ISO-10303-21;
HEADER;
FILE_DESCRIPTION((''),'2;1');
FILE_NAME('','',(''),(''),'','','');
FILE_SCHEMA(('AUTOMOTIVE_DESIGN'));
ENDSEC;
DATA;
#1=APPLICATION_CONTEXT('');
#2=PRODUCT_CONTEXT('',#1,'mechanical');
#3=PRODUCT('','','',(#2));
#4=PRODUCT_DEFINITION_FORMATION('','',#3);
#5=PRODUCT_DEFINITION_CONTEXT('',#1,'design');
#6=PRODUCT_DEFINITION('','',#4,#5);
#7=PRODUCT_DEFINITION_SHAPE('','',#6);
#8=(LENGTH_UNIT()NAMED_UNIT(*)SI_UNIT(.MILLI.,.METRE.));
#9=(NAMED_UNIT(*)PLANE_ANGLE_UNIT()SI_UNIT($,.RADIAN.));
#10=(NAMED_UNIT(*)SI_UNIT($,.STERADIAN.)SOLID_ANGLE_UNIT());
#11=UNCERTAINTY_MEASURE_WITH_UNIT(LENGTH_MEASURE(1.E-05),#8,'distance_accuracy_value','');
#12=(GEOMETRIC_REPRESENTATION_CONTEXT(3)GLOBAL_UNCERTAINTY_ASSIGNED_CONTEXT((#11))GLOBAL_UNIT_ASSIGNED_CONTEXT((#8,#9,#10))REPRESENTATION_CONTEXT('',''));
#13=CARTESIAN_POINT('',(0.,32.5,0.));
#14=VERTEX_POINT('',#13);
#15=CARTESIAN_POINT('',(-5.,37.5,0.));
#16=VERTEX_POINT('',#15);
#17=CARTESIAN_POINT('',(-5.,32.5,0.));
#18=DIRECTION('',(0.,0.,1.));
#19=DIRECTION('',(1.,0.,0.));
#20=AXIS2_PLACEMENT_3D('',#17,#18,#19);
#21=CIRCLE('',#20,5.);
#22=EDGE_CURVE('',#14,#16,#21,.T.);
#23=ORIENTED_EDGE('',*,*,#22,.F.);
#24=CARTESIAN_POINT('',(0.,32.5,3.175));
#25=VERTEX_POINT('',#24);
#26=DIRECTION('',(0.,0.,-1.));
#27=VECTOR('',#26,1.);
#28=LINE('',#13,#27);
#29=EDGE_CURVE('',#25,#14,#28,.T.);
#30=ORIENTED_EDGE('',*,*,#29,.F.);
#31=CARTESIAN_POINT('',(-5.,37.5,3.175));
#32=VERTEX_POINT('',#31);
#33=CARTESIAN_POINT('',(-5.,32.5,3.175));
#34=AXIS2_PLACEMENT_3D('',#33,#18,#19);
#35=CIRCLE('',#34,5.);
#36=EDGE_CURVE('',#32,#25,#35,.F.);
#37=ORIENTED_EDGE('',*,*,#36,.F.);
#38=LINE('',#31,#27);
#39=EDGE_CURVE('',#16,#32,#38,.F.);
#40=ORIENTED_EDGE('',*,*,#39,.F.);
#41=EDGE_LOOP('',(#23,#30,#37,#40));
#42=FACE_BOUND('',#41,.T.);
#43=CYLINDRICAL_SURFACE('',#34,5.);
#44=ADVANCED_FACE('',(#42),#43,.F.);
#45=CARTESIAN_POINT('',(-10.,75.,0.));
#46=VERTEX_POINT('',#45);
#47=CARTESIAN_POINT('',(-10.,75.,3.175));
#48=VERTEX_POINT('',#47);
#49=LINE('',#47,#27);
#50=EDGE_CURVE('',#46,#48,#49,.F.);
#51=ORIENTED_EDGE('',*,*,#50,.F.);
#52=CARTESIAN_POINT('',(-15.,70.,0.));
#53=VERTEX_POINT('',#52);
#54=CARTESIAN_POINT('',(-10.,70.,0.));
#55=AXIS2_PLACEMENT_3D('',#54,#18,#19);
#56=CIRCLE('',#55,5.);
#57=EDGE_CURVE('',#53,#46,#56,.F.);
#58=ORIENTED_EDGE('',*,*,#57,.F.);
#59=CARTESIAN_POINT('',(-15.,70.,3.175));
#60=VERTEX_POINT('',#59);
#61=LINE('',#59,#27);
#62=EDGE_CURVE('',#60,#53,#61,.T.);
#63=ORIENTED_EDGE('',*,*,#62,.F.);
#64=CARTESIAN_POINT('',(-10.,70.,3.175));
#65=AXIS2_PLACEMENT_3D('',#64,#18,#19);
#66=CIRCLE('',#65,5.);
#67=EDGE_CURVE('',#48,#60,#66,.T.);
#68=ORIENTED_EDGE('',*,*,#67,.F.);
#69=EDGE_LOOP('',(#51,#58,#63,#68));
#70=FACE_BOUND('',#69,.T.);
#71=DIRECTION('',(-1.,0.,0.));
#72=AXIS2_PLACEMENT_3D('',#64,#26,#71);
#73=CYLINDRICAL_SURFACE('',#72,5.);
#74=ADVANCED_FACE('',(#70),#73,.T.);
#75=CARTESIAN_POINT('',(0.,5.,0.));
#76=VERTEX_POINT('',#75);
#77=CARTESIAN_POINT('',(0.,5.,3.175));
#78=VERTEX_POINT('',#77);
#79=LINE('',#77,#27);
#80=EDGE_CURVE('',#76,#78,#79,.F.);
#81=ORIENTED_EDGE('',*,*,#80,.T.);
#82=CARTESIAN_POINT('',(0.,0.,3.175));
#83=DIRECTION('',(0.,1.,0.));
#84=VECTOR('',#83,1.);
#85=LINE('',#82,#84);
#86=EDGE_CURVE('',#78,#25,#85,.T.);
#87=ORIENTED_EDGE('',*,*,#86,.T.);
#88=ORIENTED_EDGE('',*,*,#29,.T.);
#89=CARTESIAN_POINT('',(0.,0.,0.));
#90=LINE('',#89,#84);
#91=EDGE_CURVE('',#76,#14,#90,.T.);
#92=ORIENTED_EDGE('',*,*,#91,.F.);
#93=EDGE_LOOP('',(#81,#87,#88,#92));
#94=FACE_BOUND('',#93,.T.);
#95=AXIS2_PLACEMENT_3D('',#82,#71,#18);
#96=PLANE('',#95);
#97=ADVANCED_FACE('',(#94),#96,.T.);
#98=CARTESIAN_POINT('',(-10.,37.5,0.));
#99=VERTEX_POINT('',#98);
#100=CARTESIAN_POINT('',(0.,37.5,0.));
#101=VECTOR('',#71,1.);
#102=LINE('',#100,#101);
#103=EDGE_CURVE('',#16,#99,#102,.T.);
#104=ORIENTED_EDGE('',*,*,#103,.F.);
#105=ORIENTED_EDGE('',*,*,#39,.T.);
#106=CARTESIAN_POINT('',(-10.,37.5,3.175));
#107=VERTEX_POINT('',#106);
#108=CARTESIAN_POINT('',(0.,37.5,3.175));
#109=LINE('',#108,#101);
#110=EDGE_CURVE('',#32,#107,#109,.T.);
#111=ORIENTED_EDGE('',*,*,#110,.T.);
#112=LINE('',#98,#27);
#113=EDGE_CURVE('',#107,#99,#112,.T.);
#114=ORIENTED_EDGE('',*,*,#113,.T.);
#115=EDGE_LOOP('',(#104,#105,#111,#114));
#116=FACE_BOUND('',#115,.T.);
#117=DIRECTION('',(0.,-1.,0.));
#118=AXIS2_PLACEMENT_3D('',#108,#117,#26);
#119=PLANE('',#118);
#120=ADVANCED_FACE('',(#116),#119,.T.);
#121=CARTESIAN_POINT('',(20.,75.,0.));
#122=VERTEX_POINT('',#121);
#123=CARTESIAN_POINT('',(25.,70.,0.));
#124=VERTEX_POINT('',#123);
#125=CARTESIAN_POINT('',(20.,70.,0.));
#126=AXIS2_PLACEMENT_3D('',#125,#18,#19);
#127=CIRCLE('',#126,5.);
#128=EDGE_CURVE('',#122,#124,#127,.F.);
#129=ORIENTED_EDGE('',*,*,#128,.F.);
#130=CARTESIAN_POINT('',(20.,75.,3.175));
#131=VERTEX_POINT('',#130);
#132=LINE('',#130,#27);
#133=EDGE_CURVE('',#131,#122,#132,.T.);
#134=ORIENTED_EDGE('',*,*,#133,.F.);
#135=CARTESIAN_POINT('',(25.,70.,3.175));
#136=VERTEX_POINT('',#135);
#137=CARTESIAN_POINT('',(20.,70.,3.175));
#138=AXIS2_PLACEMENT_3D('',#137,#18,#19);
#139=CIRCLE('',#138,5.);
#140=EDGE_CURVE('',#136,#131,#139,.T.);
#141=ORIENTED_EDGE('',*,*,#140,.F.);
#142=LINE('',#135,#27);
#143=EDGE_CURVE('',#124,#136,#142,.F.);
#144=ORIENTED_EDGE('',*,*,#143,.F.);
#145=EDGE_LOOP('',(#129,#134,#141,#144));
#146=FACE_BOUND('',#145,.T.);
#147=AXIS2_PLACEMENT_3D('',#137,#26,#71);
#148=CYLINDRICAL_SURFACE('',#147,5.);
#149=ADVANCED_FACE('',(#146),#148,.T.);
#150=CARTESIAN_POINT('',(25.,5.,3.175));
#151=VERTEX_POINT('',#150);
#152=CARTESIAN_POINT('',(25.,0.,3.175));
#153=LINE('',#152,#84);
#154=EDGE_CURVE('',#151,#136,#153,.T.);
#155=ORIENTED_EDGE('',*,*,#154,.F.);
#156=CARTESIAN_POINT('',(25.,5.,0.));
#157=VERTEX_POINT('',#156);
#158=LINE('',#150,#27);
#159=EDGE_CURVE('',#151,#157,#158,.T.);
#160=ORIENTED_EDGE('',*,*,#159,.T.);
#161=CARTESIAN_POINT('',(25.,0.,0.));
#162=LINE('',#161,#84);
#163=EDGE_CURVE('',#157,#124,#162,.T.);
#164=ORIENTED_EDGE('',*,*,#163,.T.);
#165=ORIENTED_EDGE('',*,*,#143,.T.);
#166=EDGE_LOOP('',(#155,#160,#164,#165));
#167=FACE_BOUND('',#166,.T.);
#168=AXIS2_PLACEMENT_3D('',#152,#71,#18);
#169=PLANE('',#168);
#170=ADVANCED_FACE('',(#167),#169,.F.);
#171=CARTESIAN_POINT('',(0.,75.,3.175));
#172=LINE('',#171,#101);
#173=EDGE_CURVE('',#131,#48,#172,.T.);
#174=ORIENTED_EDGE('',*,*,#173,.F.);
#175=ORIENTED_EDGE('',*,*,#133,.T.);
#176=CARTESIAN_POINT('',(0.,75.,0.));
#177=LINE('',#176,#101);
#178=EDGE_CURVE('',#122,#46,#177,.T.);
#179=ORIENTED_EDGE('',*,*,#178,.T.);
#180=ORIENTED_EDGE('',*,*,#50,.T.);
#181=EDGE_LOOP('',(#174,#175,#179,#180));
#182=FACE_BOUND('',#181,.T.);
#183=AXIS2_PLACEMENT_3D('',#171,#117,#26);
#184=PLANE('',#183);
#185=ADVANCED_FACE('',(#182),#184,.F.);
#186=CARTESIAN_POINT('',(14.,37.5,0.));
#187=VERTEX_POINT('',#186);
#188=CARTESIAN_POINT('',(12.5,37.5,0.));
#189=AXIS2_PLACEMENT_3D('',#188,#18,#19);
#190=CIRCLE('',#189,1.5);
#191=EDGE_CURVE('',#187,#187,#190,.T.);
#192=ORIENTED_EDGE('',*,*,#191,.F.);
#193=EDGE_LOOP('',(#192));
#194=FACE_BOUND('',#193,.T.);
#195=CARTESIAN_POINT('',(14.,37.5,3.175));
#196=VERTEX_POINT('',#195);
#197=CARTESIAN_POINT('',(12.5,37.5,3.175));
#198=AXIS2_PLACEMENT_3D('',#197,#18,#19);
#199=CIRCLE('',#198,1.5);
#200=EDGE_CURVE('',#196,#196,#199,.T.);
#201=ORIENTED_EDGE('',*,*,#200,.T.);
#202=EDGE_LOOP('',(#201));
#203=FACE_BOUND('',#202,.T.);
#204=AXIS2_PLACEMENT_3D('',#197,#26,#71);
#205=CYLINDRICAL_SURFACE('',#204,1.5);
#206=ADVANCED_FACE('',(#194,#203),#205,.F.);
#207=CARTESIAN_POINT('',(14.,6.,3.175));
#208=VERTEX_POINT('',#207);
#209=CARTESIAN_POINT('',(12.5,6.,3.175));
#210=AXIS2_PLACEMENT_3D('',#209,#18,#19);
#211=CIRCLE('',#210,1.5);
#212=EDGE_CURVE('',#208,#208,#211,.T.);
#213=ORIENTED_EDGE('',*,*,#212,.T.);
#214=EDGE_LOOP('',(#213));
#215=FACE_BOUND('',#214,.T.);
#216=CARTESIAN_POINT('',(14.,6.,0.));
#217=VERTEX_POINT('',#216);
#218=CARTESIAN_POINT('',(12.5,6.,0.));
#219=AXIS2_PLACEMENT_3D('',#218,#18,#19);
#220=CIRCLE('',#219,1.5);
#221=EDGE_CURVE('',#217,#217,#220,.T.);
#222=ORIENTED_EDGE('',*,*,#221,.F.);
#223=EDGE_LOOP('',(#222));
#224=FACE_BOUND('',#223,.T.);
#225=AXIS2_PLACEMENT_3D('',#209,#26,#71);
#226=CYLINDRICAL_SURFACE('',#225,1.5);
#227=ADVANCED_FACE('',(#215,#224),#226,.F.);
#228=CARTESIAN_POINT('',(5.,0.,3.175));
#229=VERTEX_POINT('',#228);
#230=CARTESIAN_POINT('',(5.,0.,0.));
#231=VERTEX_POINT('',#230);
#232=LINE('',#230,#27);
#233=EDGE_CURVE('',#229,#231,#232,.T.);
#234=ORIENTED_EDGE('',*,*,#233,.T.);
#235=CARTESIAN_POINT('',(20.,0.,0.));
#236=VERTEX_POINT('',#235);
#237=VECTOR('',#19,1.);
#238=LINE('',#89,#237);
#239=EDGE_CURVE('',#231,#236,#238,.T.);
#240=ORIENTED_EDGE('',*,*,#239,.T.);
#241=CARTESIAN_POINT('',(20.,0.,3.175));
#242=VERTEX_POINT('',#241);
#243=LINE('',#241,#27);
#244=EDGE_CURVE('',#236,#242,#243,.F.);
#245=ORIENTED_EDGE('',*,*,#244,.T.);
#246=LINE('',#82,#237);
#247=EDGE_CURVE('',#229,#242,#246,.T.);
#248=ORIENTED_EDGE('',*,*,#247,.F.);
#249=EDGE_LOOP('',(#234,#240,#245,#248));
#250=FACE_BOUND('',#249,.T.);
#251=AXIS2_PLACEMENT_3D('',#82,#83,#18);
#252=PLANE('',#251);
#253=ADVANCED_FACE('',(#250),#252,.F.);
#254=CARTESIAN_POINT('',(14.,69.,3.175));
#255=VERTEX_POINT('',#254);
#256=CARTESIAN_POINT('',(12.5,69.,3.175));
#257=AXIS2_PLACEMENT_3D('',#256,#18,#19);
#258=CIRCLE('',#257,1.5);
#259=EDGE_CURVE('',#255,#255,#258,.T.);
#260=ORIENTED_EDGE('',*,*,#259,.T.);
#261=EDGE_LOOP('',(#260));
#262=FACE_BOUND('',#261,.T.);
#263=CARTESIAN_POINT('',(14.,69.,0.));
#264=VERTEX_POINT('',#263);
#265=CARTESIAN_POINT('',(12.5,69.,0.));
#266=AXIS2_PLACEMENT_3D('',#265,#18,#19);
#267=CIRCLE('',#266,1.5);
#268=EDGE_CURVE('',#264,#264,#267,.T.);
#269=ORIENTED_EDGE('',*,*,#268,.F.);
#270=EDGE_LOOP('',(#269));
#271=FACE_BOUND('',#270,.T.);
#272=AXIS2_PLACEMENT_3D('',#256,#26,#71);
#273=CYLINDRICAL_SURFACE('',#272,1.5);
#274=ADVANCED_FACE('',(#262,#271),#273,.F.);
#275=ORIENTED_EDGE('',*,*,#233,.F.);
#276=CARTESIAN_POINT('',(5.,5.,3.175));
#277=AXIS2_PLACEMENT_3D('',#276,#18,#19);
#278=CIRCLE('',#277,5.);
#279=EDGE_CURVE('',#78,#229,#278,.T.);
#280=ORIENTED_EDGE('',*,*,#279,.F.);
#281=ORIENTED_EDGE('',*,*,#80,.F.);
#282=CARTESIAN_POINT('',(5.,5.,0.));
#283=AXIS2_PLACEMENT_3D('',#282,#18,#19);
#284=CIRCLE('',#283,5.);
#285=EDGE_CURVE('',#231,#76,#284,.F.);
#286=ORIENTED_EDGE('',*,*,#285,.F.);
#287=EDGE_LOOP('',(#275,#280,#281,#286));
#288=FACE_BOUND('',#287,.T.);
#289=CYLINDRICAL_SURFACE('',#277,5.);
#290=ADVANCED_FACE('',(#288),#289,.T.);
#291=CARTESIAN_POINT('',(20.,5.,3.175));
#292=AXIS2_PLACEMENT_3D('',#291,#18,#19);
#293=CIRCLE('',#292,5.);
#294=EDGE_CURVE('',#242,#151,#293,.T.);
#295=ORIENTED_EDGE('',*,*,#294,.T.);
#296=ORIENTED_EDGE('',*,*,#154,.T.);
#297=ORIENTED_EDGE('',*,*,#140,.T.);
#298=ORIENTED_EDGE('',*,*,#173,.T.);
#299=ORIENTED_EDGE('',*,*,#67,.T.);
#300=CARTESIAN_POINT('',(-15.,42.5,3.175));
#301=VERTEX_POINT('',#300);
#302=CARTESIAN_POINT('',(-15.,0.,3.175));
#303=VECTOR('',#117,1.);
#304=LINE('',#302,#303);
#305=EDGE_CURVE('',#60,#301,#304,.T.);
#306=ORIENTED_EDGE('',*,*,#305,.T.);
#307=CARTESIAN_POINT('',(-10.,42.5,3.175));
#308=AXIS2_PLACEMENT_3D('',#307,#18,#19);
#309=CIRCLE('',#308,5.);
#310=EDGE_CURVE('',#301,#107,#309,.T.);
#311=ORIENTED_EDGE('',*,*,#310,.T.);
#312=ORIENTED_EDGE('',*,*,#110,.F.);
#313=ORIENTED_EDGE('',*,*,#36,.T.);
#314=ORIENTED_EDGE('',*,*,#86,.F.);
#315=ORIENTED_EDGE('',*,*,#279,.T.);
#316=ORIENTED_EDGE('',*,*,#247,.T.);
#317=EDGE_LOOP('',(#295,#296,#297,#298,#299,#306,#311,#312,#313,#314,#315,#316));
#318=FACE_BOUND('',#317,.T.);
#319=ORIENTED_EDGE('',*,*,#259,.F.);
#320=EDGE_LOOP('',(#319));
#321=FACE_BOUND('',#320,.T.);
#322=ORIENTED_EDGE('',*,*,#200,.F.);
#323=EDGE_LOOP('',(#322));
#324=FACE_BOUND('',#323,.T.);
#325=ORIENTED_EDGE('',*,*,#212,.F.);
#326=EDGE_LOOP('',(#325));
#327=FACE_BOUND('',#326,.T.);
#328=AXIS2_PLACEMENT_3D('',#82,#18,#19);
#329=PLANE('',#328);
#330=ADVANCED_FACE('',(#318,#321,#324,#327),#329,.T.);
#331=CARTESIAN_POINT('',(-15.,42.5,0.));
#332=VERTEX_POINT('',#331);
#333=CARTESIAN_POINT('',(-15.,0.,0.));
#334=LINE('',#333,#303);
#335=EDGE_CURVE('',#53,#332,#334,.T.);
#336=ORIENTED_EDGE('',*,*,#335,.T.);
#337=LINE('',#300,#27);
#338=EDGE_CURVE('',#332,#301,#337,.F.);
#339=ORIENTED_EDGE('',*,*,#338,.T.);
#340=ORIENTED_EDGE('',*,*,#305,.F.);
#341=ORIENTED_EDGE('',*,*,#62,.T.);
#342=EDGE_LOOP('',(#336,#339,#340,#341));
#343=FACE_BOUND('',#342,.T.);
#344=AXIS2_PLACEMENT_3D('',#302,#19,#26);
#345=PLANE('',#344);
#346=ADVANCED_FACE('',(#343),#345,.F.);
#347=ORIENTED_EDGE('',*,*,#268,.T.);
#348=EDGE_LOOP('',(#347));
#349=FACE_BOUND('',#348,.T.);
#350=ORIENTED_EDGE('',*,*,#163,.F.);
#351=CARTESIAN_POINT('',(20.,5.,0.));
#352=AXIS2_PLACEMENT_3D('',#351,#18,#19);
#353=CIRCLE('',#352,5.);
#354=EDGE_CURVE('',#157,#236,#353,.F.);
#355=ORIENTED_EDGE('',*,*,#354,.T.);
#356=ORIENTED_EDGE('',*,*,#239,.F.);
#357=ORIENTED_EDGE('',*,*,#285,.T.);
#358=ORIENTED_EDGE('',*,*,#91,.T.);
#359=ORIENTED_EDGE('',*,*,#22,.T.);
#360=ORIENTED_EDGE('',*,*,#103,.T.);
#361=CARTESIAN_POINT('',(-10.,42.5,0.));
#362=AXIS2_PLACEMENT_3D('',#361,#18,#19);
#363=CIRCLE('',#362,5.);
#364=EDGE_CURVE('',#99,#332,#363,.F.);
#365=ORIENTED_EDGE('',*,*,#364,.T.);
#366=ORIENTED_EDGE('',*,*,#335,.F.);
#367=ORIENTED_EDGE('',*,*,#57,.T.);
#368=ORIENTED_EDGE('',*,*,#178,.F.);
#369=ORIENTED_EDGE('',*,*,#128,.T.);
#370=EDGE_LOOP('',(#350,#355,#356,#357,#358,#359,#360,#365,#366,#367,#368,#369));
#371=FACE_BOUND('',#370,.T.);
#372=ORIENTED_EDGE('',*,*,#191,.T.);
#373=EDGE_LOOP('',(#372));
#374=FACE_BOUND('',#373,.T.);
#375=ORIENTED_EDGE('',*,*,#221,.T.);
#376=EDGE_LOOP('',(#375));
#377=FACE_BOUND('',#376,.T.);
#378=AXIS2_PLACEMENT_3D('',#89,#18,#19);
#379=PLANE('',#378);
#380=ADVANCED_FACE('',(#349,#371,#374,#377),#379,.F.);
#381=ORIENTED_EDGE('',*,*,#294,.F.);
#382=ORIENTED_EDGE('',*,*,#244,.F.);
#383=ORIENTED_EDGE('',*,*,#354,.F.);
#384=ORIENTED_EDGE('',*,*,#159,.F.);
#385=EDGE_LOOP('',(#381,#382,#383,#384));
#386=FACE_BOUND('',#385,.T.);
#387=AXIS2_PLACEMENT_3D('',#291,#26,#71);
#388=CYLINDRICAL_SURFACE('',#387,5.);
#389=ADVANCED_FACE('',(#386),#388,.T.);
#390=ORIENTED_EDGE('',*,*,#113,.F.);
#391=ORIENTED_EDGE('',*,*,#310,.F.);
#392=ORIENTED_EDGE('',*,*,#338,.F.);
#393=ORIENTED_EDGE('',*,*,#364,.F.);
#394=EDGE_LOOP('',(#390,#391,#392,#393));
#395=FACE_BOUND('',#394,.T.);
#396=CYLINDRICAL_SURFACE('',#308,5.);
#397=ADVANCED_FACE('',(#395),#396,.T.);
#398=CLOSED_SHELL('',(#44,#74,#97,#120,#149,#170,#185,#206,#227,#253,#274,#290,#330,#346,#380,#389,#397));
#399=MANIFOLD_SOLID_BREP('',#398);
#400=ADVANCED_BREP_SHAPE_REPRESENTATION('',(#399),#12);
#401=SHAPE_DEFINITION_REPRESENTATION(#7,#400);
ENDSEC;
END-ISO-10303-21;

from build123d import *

# Parameters (mm, degrees)
SKETCH1_R           = 1.5
BOSS_EXTRUDE1_DEPTH = 3.175
FILLET1_R           = 5


with BuildPart() as part:
    # Sketch1 → Boss-Extrude1 (new body)
    with BuildSketch(Plane.XY):
        Polygon((0, 37.5), (0, 0), (25, 0), (25, 75), (-15, 75), (-15, 37.5), align=None)
        with Locations((12.5, 6)):
            Circle(SKETCH1_R, mode=Mode.SUBTRACT)
        with Locations((12.5, 37.5)):
            Circle(SKETCH1_R, mode=Mode.SUBTRACT)
        with Locations((12.5, 69)):
            Circle(SKETCH1_R, mode=Mode.SUBTRACT)
    extrude(amount=BOSS_EXTRUDE1_DEPTH)

    # Fillet1
    fillet1_edges = [part.edges().sort_by_distance(p)[0] for p in [
        (25, 75, 1.5875),
        (25, 0, 1.5875),
        (0, 0, 1.5875),
        (0, 37.5, 1.5875),
        (-15, 37.5, 1.5875),
        (-15, 75, 1.5875),
    ]]
    fillet(fillet1_edges, radius=FILLET1_R)


solid = part.part
